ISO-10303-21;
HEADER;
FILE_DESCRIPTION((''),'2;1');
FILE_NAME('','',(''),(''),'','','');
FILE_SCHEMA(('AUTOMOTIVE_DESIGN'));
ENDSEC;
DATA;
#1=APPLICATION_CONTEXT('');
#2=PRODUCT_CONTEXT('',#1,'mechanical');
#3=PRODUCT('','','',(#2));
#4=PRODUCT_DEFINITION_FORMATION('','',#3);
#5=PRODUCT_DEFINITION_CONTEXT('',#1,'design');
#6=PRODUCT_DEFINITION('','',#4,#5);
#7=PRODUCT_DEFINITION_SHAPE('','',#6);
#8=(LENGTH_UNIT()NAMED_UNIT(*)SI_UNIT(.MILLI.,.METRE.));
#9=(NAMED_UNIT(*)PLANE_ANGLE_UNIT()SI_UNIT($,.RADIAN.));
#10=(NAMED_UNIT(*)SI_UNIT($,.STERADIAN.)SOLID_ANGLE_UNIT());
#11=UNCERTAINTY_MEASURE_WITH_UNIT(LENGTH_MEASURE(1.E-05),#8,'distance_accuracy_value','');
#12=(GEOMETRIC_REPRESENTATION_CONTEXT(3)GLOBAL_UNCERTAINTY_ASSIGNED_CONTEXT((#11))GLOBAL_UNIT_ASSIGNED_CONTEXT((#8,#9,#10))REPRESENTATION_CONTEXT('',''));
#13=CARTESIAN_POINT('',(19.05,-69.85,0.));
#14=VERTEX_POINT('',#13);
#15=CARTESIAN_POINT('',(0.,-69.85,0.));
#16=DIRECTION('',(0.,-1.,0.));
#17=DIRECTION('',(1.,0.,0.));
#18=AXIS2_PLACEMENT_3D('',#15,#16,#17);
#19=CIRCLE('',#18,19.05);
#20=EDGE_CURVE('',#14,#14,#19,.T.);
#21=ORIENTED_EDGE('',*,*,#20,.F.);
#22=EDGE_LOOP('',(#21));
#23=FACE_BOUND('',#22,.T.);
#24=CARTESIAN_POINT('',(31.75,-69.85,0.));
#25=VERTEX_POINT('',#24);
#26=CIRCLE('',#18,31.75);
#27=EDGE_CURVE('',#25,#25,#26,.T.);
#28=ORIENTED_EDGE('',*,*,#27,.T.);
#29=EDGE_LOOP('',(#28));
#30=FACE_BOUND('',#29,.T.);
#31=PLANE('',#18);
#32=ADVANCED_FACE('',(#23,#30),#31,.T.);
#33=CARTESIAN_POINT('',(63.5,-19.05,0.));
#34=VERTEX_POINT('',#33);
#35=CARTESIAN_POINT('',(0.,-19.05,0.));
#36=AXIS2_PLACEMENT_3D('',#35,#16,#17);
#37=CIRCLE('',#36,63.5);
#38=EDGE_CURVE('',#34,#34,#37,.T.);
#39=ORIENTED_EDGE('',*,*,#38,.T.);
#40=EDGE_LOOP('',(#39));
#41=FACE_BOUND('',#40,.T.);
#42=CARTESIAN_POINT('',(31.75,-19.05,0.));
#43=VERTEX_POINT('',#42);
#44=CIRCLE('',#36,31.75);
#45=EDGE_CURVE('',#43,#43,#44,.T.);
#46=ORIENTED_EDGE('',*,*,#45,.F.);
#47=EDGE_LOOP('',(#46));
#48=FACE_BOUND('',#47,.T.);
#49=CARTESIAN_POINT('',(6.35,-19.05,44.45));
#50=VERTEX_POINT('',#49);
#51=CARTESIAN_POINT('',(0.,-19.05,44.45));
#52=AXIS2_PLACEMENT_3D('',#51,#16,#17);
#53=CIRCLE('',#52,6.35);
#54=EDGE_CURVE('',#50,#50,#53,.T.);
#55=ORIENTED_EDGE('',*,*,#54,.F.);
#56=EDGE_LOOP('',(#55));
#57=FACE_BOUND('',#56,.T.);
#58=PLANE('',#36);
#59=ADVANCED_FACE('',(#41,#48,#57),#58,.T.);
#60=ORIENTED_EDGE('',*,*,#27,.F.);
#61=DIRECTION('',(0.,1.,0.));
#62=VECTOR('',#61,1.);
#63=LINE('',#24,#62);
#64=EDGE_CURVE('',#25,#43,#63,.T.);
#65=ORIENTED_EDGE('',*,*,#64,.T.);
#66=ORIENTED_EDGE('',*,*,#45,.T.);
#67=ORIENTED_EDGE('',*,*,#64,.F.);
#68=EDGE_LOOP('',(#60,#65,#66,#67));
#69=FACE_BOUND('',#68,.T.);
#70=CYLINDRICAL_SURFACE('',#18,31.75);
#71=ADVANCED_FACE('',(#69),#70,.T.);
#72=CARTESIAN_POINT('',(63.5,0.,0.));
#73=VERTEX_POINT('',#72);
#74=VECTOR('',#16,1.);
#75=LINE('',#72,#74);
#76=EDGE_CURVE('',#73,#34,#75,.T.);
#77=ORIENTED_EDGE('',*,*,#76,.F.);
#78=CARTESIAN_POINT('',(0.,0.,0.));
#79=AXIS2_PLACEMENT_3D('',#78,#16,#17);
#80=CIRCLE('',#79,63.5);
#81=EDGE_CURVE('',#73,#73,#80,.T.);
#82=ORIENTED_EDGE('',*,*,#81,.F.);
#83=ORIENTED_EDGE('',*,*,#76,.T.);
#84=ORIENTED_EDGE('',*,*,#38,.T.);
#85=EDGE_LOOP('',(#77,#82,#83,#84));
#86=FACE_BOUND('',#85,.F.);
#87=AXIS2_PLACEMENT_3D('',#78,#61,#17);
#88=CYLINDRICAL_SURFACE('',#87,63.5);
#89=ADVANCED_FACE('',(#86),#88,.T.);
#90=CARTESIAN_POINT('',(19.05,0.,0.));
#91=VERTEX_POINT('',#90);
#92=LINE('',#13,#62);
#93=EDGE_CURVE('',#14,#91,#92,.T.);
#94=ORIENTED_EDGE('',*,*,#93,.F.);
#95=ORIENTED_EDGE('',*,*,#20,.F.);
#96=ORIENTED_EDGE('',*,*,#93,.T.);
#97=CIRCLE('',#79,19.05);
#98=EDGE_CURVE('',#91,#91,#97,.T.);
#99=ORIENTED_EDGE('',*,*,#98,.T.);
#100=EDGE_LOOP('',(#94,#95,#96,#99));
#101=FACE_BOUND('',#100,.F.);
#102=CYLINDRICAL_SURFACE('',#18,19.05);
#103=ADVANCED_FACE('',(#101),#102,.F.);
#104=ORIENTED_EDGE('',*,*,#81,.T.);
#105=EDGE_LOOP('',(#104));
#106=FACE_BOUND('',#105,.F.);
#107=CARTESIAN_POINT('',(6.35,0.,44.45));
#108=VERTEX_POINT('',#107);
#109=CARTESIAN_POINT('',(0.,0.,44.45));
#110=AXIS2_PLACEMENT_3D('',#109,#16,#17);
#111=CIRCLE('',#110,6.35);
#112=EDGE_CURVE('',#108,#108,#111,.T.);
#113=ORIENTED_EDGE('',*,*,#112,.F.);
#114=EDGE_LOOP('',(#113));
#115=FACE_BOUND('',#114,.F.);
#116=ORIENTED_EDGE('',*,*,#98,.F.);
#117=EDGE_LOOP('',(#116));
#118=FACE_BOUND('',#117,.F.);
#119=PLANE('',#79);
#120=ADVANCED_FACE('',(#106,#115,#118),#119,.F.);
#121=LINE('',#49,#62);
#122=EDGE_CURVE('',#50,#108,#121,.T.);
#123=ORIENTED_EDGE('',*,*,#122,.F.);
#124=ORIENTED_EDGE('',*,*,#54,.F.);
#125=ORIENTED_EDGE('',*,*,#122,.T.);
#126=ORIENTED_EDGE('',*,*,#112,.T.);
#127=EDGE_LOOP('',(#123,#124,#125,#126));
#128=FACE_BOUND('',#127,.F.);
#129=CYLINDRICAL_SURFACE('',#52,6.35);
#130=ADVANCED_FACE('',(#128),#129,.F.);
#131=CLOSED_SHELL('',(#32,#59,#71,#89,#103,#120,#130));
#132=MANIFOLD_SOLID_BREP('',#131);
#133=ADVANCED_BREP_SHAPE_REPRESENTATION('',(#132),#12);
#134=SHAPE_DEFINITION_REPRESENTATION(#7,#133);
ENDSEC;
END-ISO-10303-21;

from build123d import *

# Parameters (mm, degrees)
F0_R     = 63.5
F1_DEPTH = 19.05
F3_R     = 31.75
F4_DEPTH = 50.8
F5_R     = 19.05
F6_DEPTH = 69.851
F7_R     = 6.35
F8_DEPTH = 19.051


with BuildPart() as f1:
    # F0 (on Front) → F1 (new body)
    with BuildSketch(Plane.XZ):
        Circle(F0_R)
    extrude(amount=F1_DEPTH)

    # F3 (on offset) → F4 (join, through all)
    with BuildSketch(Plane.XZ.offset(69.85)):
        Circle(F3_R)
    extrude(amount=-F4_DEPTH)

    # F5 (on face) → F6 (cut, through all)
    with BuildSketch(Plane.XZ.offset(69.85)):
        Circle(F5_R)
    extrude(amount=-F6_DEPTH, mode=Mode.SUBTRACT)

    # F7 (on face) → F8 (cut, through all)
    with BuildSketch(Plane.XZ.offset(19.05)):
        with Locations((0, 44.45)):
            Circle(F7_R)
    extrude(amount=-F8_DEPTH, mode=Mode.SUBTRACT)


solid = f1.part
